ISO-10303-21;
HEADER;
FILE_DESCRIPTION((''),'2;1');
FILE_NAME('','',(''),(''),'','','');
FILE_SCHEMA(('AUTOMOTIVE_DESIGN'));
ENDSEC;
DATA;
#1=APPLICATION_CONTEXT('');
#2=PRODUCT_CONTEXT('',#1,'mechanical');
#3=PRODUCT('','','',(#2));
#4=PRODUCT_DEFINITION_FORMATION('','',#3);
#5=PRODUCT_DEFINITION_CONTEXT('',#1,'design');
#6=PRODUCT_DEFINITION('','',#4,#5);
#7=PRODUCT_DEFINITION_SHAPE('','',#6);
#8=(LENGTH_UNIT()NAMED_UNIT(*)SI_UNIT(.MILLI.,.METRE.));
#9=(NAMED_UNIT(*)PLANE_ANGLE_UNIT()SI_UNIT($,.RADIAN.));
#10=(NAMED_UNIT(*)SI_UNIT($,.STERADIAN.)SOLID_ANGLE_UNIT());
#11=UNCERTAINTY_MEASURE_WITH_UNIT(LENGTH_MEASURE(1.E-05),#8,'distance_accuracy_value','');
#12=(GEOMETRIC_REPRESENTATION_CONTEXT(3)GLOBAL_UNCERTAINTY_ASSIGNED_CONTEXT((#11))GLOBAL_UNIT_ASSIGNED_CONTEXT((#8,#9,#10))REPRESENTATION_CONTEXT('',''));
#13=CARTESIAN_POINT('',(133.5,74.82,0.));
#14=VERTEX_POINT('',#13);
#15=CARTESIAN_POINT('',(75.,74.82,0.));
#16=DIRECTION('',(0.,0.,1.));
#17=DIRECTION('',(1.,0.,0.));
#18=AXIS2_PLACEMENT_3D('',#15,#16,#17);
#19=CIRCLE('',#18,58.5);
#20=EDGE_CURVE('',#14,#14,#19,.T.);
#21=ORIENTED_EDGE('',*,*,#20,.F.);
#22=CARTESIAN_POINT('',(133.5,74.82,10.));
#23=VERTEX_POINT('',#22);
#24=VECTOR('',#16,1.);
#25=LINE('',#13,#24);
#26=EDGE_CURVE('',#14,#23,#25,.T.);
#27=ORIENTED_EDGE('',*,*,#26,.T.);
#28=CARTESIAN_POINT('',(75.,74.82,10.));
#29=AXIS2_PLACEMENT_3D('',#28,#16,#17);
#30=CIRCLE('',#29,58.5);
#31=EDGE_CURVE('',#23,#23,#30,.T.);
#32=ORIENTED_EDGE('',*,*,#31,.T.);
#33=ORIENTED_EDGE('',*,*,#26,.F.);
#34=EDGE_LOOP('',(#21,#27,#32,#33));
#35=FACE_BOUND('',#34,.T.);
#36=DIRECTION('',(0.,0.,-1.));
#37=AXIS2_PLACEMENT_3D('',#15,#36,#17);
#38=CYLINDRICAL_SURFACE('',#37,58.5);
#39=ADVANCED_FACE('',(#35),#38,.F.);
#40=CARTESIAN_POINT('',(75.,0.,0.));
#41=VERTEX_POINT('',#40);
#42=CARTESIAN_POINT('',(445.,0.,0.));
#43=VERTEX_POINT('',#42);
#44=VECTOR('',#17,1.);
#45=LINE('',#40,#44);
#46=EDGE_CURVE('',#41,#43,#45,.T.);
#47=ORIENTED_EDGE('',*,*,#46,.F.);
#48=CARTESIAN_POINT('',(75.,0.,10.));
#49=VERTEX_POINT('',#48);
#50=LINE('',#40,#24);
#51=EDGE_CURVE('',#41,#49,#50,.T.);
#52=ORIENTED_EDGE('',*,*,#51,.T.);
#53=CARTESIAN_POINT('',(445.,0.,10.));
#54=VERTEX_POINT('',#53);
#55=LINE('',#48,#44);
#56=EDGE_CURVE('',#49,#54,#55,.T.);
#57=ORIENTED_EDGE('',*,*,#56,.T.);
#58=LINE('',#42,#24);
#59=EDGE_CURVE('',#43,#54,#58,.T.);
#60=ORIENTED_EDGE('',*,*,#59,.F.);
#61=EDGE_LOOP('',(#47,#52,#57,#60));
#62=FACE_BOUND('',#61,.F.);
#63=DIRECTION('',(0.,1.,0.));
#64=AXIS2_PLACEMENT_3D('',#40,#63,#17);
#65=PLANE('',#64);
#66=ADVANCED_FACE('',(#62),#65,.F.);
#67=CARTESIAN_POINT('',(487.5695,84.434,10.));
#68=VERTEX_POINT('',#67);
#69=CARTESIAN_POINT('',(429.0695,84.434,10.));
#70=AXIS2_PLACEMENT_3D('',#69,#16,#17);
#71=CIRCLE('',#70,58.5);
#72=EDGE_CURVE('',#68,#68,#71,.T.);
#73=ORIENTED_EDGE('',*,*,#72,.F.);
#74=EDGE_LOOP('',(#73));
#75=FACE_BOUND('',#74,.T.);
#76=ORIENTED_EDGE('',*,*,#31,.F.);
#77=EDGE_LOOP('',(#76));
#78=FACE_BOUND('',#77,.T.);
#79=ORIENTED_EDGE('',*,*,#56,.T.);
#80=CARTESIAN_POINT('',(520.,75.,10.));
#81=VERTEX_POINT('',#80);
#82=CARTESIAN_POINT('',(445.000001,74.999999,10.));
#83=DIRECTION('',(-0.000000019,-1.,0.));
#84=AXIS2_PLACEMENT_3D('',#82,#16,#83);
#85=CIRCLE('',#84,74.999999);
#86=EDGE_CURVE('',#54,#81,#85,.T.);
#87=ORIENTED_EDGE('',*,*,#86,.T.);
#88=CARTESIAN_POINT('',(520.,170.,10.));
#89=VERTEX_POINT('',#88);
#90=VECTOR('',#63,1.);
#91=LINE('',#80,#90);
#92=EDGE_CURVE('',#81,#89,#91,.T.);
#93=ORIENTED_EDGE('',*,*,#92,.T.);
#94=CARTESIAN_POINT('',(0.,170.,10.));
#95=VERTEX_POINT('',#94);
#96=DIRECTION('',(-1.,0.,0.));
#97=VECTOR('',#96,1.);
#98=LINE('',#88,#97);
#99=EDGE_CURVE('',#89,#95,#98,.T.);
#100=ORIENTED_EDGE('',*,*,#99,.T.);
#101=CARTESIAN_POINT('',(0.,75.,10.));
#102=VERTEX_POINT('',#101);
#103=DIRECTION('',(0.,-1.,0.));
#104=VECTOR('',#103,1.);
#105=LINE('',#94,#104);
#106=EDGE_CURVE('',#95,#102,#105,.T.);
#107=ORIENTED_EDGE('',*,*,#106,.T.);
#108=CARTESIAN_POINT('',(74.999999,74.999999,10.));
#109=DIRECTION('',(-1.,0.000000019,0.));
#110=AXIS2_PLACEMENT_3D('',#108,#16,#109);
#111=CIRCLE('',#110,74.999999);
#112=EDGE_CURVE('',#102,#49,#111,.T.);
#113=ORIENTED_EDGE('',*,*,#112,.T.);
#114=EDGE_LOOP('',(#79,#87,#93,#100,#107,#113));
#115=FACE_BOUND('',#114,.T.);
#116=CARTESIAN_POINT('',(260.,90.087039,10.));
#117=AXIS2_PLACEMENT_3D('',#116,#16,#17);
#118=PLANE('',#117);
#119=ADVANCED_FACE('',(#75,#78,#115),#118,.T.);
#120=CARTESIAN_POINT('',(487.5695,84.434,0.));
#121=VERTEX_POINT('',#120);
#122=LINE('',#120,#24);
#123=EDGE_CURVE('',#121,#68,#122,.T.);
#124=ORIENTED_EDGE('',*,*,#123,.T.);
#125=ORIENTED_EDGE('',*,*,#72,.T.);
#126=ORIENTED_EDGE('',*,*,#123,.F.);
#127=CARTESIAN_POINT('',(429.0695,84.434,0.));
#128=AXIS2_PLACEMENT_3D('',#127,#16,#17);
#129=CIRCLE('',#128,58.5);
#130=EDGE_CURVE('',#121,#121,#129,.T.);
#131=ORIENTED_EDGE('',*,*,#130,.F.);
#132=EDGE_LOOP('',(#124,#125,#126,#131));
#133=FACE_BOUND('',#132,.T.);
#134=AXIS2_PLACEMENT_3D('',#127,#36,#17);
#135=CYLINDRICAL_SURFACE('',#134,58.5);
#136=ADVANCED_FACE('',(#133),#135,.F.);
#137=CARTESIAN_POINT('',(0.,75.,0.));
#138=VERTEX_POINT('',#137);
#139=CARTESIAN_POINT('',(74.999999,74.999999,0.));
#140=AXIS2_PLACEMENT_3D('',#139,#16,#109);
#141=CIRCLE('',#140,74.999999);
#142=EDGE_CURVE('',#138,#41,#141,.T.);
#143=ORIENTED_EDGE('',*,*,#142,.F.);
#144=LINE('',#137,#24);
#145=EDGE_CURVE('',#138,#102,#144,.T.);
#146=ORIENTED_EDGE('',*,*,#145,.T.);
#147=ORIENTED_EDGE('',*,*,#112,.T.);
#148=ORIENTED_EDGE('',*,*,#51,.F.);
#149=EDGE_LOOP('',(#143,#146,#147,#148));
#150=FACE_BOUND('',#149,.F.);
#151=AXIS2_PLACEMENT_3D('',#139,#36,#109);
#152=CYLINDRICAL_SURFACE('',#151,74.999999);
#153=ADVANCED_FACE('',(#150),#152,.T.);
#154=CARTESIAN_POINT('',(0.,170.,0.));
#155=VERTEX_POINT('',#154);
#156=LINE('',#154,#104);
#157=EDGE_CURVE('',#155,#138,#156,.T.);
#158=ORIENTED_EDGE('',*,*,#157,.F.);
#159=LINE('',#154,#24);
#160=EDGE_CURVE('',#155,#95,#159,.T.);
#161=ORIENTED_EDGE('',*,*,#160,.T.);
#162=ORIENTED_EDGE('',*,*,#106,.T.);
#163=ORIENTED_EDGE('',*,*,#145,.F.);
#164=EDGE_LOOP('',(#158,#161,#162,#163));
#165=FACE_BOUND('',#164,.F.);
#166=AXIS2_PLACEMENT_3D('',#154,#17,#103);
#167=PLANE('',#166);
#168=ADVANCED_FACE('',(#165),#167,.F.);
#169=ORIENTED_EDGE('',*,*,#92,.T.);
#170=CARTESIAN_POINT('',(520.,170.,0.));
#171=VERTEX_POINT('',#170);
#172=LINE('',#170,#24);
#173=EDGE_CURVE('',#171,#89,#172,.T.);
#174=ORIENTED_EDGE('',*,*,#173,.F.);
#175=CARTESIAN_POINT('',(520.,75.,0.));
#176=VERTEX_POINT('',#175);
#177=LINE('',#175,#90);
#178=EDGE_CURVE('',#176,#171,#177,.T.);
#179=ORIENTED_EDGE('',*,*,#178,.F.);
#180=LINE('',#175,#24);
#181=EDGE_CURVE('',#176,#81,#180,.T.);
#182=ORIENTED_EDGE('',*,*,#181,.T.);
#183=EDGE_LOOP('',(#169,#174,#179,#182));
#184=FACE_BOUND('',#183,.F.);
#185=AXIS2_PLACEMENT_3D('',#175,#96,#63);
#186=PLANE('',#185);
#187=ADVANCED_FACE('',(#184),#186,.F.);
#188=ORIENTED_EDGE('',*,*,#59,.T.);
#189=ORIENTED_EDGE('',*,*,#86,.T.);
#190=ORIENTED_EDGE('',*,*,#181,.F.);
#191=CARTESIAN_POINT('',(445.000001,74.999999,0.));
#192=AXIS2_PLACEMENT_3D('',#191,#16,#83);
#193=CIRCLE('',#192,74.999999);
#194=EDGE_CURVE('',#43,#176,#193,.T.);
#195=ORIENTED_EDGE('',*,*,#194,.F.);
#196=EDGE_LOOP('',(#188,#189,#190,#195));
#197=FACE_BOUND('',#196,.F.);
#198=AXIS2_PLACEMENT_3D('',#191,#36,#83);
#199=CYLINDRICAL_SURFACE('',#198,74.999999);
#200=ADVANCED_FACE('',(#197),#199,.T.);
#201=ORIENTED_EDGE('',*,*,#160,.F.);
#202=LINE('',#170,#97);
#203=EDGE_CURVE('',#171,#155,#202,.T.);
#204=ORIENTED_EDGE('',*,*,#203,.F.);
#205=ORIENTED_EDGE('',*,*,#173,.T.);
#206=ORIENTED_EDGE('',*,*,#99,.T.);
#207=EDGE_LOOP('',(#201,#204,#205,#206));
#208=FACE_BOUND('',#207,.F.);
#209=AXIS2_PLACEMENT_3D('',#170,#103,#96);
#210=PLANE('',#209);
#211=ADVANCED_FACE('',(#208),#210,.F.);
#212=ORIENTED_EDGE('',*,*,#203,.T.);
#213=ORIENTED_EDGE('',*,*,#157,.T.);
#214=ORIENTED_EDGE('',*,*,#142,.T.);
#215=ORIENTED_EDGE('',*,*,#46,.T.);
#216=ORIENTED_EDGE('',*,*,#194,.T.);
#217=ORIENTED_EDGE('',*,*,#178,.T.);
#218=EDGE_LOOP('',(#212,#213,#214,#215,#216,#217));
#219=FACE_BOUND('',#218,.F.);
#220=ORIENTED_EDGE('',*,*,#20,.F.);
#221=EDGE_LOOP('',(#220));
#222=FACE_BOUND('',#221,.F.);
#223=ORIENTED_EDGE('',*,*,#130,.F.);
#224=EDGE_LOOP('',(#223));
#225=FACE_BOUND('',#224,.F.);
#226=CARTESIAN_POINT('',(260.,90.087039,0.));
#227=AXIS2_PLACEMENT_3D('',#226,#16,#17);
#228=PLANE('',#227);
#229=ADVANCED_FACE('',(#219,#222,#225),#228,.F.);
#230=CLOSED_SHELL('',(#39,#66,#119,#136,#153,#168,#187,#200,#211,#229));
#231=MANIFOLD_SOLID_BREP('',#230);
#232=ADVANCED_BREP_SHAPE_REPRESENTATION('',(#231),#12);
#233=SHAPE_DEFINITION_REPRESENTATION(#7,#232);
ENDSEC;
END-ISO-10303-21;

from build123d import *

# Parameters (mm, degrees)
SKETCH_R  = 58.5
PAD_DEPTH = 10


with BuildPart() as part:
    # Sketch → Pad (new body)
    with BuildSketch(Plane.XY):
        with BuildLine():
            Line((75, 0), (445, 0))
            ThreePointArc((445, 0), (498.033009, 21.966991), (520, 75))
            Line((520, 75), (520, 170))
            Line((520, 170), (0, 170))
            Line((0, 170), (0, 75))
            ThreePointArc((0, 75), (21.966991, 21.966991), (75, 0))
        make_face()
        with Locations((75, 74.82)):
            Circle(SKETCH_R, mode=Mode.SUBTRACT)
        with Locations((429.0695, 84.434)):
            Circle(SKETCH_R, mode=Mode.SUBTRACT)
    extrude(amount=PAD_DEPTH)


solid = part.part
